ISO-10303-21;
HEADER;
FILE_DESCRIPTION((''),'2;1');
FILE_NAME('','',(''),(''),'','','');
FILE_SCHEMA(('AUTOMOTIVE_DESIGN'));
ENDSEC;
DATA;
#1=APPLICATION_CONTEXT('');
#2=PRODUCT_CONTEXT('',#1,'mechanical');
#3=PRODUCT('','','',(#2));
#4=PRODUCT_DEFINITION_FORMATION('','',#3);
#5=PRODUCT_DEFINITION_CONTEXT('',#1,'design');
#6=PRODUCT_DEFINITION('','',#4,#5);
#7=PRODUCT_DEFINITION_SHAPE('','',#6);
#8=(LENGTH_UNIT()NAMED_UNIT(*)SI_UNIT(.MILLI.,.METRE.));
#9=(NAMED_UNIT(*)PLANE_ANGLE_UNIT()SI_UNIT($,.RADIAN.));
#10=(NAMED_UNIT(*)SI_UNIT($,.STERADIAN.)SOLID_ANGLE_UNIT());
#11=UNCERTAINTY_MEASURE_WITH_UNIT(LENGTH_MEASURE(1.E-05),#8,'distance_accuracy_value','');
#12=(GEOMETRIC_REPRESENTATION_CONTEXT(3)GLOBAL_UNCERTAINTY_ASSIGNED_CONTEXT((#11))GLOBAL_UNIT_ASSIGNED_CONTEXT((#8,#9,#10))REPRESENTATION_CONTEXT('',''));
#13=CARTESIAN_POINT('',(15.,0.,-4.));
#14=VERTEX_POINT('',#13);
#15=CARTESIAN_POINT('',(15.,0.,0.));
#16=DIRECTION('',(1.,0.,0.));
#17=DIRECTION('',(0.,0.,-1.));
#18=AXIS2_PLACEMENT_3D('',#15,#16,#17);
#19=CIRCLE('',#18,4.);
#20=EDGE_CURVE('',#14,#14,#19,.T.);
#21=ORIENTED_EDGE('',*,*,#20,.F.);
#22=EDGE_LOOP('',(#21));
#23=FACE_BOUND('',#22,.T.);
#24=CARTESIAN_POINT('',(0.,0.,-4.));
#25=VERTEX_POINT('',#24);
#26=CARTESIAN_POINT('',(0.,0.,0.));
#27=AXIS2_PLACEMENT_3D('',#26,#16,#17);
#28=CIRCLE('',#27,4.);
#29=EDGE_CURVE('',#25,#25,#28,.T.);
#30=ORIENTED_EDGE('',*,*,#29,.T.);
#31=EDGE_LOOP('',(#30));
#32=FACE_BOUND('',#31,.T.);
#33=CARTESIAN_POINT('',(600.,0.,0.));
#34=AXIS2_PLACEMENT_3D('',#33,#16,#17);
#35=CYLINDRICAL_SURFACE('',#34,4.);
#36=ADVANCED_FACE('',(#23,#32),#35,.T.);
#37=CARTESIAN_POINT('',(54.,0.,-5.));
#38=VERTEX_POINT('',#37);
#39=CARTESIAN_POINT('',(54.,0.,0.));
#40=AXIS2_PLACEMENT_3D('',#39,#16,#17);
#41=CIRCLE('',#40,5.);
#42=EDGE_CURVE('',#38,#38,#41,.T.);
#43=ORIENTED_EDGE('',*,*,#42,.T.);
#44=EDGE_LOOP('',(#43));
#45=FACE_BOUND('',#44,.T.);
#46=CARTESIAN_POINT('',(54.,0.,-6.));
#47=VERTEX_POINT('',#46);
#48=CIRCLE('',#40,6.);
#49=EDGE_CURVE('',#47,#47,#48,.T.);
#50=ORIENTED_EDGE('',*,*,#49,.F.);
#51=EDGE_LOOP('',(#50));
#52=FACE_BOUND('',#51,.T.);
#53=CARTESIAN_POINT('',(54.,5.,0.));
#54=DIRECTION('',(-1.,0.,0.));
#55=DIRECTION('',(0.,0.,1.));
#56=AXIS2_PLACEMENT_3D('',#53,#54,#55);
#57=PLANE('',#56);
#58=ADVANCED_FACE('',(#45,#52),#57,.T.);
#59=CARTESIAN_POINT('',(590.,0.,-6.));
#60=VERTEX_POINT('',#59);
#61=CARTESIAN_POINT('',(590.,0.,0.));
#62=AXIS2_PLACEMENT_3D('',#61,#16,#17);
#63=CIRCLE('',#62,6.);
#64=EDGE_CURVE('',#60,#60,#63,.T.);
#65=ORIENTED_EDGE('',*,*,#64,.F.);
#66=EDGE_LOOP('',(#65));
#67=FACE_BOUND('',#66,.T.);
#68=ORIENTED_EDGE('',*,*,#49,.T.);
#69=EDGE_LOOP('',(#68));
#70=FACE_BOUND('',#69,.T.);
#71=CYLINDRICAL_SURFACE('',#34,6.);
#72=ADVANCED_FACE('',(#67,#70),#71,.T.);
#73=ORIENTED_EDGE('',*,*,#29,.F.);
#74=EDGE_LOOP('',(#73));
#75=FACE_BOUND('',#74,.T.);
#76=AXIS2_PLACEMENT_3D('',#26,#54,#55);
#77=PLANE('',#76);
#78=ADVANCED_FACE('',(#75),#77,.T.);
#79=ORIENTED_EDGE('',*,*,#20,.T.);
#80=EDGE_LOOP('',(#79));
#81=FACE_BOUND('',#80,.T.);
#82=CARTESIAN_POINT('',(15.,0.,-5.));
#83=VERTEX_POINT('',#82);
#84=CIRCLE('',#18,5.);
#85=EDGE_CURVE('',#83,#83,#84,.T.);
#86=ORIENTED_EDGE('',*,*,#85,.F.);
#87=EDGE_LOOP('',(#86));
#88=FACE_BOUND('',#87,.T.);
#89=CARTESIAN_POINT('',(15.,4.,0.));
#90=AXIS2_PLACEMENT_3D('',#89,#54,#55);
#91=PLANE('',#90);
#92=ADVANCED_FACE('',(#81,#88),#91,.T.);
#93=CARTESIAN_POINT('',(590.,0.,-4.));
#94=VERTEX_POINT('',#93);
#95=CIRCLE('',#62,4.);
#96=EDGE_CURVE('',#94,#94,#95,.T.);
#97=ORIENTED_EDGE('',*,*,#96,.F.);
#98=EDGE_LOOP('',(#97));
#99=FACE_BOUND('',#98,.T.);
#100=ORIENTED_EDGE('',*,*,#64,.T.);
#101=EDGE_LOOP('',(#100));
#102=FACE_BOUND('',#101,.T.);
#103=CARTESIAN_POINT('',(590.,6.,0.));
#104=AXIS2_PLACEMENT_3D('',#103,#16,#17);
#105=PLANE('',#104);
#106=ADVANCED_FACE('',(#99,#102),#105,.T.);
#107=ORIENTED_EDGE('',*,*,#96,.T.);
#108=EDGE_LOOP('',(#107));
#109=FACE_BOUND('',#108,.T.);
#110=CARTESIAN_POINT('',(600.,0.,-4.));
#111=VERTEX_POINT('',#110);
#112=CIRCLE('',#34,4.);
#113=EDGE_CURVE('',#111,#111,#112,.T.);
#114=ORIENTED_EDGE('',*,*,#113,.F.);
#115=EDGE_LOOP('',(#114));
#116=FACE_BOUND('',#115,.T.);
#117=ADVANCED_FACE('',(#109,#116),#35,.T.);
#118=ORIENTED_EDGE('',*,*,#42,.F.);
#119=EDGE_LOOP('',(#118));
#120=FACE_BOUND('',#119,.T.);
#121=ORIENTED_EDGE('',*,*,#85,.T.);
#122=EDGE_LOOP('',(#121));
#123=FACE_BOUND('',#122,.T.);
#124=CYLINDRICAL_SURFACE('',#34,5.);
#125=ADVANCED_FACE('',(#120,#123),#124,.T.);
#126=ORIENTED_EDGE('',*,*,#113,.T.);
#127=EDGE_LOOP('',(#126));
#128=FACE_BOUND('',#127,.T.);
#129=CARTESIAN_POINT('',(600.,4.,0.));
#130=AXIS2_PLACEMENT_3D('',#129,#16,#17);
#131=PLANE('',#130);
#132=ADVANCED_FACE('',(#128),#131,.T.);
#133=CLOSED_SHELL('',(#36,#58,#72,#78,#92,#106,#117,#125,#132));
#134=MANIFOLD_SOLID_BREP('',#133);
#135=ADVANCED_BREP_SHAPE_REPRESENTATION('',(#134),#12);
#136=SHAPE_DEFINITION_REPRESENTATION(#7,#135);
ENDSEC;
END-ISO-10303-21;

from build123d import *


with BuildPart() as part:
    # Sketch1 → Revolve1 (revolve)
    with BuildSketch(Plane.XY, mode=Mode.PRIVATE) as revolve1_sk:
        Polygon((0, 0), (0, 4), (15, 4), (15, 5), (54, 5), (54, 6), (590, 6), (590, 4), (600, 4), (600, 0), align=None)
    revolve(revolve1_sk.sketch.rotate(Axis((600, 0, 0), (-1, 0, 0)), 90), axis=Axis((600, 0, 0), (-1, 0, 0)))


solid = part.part
